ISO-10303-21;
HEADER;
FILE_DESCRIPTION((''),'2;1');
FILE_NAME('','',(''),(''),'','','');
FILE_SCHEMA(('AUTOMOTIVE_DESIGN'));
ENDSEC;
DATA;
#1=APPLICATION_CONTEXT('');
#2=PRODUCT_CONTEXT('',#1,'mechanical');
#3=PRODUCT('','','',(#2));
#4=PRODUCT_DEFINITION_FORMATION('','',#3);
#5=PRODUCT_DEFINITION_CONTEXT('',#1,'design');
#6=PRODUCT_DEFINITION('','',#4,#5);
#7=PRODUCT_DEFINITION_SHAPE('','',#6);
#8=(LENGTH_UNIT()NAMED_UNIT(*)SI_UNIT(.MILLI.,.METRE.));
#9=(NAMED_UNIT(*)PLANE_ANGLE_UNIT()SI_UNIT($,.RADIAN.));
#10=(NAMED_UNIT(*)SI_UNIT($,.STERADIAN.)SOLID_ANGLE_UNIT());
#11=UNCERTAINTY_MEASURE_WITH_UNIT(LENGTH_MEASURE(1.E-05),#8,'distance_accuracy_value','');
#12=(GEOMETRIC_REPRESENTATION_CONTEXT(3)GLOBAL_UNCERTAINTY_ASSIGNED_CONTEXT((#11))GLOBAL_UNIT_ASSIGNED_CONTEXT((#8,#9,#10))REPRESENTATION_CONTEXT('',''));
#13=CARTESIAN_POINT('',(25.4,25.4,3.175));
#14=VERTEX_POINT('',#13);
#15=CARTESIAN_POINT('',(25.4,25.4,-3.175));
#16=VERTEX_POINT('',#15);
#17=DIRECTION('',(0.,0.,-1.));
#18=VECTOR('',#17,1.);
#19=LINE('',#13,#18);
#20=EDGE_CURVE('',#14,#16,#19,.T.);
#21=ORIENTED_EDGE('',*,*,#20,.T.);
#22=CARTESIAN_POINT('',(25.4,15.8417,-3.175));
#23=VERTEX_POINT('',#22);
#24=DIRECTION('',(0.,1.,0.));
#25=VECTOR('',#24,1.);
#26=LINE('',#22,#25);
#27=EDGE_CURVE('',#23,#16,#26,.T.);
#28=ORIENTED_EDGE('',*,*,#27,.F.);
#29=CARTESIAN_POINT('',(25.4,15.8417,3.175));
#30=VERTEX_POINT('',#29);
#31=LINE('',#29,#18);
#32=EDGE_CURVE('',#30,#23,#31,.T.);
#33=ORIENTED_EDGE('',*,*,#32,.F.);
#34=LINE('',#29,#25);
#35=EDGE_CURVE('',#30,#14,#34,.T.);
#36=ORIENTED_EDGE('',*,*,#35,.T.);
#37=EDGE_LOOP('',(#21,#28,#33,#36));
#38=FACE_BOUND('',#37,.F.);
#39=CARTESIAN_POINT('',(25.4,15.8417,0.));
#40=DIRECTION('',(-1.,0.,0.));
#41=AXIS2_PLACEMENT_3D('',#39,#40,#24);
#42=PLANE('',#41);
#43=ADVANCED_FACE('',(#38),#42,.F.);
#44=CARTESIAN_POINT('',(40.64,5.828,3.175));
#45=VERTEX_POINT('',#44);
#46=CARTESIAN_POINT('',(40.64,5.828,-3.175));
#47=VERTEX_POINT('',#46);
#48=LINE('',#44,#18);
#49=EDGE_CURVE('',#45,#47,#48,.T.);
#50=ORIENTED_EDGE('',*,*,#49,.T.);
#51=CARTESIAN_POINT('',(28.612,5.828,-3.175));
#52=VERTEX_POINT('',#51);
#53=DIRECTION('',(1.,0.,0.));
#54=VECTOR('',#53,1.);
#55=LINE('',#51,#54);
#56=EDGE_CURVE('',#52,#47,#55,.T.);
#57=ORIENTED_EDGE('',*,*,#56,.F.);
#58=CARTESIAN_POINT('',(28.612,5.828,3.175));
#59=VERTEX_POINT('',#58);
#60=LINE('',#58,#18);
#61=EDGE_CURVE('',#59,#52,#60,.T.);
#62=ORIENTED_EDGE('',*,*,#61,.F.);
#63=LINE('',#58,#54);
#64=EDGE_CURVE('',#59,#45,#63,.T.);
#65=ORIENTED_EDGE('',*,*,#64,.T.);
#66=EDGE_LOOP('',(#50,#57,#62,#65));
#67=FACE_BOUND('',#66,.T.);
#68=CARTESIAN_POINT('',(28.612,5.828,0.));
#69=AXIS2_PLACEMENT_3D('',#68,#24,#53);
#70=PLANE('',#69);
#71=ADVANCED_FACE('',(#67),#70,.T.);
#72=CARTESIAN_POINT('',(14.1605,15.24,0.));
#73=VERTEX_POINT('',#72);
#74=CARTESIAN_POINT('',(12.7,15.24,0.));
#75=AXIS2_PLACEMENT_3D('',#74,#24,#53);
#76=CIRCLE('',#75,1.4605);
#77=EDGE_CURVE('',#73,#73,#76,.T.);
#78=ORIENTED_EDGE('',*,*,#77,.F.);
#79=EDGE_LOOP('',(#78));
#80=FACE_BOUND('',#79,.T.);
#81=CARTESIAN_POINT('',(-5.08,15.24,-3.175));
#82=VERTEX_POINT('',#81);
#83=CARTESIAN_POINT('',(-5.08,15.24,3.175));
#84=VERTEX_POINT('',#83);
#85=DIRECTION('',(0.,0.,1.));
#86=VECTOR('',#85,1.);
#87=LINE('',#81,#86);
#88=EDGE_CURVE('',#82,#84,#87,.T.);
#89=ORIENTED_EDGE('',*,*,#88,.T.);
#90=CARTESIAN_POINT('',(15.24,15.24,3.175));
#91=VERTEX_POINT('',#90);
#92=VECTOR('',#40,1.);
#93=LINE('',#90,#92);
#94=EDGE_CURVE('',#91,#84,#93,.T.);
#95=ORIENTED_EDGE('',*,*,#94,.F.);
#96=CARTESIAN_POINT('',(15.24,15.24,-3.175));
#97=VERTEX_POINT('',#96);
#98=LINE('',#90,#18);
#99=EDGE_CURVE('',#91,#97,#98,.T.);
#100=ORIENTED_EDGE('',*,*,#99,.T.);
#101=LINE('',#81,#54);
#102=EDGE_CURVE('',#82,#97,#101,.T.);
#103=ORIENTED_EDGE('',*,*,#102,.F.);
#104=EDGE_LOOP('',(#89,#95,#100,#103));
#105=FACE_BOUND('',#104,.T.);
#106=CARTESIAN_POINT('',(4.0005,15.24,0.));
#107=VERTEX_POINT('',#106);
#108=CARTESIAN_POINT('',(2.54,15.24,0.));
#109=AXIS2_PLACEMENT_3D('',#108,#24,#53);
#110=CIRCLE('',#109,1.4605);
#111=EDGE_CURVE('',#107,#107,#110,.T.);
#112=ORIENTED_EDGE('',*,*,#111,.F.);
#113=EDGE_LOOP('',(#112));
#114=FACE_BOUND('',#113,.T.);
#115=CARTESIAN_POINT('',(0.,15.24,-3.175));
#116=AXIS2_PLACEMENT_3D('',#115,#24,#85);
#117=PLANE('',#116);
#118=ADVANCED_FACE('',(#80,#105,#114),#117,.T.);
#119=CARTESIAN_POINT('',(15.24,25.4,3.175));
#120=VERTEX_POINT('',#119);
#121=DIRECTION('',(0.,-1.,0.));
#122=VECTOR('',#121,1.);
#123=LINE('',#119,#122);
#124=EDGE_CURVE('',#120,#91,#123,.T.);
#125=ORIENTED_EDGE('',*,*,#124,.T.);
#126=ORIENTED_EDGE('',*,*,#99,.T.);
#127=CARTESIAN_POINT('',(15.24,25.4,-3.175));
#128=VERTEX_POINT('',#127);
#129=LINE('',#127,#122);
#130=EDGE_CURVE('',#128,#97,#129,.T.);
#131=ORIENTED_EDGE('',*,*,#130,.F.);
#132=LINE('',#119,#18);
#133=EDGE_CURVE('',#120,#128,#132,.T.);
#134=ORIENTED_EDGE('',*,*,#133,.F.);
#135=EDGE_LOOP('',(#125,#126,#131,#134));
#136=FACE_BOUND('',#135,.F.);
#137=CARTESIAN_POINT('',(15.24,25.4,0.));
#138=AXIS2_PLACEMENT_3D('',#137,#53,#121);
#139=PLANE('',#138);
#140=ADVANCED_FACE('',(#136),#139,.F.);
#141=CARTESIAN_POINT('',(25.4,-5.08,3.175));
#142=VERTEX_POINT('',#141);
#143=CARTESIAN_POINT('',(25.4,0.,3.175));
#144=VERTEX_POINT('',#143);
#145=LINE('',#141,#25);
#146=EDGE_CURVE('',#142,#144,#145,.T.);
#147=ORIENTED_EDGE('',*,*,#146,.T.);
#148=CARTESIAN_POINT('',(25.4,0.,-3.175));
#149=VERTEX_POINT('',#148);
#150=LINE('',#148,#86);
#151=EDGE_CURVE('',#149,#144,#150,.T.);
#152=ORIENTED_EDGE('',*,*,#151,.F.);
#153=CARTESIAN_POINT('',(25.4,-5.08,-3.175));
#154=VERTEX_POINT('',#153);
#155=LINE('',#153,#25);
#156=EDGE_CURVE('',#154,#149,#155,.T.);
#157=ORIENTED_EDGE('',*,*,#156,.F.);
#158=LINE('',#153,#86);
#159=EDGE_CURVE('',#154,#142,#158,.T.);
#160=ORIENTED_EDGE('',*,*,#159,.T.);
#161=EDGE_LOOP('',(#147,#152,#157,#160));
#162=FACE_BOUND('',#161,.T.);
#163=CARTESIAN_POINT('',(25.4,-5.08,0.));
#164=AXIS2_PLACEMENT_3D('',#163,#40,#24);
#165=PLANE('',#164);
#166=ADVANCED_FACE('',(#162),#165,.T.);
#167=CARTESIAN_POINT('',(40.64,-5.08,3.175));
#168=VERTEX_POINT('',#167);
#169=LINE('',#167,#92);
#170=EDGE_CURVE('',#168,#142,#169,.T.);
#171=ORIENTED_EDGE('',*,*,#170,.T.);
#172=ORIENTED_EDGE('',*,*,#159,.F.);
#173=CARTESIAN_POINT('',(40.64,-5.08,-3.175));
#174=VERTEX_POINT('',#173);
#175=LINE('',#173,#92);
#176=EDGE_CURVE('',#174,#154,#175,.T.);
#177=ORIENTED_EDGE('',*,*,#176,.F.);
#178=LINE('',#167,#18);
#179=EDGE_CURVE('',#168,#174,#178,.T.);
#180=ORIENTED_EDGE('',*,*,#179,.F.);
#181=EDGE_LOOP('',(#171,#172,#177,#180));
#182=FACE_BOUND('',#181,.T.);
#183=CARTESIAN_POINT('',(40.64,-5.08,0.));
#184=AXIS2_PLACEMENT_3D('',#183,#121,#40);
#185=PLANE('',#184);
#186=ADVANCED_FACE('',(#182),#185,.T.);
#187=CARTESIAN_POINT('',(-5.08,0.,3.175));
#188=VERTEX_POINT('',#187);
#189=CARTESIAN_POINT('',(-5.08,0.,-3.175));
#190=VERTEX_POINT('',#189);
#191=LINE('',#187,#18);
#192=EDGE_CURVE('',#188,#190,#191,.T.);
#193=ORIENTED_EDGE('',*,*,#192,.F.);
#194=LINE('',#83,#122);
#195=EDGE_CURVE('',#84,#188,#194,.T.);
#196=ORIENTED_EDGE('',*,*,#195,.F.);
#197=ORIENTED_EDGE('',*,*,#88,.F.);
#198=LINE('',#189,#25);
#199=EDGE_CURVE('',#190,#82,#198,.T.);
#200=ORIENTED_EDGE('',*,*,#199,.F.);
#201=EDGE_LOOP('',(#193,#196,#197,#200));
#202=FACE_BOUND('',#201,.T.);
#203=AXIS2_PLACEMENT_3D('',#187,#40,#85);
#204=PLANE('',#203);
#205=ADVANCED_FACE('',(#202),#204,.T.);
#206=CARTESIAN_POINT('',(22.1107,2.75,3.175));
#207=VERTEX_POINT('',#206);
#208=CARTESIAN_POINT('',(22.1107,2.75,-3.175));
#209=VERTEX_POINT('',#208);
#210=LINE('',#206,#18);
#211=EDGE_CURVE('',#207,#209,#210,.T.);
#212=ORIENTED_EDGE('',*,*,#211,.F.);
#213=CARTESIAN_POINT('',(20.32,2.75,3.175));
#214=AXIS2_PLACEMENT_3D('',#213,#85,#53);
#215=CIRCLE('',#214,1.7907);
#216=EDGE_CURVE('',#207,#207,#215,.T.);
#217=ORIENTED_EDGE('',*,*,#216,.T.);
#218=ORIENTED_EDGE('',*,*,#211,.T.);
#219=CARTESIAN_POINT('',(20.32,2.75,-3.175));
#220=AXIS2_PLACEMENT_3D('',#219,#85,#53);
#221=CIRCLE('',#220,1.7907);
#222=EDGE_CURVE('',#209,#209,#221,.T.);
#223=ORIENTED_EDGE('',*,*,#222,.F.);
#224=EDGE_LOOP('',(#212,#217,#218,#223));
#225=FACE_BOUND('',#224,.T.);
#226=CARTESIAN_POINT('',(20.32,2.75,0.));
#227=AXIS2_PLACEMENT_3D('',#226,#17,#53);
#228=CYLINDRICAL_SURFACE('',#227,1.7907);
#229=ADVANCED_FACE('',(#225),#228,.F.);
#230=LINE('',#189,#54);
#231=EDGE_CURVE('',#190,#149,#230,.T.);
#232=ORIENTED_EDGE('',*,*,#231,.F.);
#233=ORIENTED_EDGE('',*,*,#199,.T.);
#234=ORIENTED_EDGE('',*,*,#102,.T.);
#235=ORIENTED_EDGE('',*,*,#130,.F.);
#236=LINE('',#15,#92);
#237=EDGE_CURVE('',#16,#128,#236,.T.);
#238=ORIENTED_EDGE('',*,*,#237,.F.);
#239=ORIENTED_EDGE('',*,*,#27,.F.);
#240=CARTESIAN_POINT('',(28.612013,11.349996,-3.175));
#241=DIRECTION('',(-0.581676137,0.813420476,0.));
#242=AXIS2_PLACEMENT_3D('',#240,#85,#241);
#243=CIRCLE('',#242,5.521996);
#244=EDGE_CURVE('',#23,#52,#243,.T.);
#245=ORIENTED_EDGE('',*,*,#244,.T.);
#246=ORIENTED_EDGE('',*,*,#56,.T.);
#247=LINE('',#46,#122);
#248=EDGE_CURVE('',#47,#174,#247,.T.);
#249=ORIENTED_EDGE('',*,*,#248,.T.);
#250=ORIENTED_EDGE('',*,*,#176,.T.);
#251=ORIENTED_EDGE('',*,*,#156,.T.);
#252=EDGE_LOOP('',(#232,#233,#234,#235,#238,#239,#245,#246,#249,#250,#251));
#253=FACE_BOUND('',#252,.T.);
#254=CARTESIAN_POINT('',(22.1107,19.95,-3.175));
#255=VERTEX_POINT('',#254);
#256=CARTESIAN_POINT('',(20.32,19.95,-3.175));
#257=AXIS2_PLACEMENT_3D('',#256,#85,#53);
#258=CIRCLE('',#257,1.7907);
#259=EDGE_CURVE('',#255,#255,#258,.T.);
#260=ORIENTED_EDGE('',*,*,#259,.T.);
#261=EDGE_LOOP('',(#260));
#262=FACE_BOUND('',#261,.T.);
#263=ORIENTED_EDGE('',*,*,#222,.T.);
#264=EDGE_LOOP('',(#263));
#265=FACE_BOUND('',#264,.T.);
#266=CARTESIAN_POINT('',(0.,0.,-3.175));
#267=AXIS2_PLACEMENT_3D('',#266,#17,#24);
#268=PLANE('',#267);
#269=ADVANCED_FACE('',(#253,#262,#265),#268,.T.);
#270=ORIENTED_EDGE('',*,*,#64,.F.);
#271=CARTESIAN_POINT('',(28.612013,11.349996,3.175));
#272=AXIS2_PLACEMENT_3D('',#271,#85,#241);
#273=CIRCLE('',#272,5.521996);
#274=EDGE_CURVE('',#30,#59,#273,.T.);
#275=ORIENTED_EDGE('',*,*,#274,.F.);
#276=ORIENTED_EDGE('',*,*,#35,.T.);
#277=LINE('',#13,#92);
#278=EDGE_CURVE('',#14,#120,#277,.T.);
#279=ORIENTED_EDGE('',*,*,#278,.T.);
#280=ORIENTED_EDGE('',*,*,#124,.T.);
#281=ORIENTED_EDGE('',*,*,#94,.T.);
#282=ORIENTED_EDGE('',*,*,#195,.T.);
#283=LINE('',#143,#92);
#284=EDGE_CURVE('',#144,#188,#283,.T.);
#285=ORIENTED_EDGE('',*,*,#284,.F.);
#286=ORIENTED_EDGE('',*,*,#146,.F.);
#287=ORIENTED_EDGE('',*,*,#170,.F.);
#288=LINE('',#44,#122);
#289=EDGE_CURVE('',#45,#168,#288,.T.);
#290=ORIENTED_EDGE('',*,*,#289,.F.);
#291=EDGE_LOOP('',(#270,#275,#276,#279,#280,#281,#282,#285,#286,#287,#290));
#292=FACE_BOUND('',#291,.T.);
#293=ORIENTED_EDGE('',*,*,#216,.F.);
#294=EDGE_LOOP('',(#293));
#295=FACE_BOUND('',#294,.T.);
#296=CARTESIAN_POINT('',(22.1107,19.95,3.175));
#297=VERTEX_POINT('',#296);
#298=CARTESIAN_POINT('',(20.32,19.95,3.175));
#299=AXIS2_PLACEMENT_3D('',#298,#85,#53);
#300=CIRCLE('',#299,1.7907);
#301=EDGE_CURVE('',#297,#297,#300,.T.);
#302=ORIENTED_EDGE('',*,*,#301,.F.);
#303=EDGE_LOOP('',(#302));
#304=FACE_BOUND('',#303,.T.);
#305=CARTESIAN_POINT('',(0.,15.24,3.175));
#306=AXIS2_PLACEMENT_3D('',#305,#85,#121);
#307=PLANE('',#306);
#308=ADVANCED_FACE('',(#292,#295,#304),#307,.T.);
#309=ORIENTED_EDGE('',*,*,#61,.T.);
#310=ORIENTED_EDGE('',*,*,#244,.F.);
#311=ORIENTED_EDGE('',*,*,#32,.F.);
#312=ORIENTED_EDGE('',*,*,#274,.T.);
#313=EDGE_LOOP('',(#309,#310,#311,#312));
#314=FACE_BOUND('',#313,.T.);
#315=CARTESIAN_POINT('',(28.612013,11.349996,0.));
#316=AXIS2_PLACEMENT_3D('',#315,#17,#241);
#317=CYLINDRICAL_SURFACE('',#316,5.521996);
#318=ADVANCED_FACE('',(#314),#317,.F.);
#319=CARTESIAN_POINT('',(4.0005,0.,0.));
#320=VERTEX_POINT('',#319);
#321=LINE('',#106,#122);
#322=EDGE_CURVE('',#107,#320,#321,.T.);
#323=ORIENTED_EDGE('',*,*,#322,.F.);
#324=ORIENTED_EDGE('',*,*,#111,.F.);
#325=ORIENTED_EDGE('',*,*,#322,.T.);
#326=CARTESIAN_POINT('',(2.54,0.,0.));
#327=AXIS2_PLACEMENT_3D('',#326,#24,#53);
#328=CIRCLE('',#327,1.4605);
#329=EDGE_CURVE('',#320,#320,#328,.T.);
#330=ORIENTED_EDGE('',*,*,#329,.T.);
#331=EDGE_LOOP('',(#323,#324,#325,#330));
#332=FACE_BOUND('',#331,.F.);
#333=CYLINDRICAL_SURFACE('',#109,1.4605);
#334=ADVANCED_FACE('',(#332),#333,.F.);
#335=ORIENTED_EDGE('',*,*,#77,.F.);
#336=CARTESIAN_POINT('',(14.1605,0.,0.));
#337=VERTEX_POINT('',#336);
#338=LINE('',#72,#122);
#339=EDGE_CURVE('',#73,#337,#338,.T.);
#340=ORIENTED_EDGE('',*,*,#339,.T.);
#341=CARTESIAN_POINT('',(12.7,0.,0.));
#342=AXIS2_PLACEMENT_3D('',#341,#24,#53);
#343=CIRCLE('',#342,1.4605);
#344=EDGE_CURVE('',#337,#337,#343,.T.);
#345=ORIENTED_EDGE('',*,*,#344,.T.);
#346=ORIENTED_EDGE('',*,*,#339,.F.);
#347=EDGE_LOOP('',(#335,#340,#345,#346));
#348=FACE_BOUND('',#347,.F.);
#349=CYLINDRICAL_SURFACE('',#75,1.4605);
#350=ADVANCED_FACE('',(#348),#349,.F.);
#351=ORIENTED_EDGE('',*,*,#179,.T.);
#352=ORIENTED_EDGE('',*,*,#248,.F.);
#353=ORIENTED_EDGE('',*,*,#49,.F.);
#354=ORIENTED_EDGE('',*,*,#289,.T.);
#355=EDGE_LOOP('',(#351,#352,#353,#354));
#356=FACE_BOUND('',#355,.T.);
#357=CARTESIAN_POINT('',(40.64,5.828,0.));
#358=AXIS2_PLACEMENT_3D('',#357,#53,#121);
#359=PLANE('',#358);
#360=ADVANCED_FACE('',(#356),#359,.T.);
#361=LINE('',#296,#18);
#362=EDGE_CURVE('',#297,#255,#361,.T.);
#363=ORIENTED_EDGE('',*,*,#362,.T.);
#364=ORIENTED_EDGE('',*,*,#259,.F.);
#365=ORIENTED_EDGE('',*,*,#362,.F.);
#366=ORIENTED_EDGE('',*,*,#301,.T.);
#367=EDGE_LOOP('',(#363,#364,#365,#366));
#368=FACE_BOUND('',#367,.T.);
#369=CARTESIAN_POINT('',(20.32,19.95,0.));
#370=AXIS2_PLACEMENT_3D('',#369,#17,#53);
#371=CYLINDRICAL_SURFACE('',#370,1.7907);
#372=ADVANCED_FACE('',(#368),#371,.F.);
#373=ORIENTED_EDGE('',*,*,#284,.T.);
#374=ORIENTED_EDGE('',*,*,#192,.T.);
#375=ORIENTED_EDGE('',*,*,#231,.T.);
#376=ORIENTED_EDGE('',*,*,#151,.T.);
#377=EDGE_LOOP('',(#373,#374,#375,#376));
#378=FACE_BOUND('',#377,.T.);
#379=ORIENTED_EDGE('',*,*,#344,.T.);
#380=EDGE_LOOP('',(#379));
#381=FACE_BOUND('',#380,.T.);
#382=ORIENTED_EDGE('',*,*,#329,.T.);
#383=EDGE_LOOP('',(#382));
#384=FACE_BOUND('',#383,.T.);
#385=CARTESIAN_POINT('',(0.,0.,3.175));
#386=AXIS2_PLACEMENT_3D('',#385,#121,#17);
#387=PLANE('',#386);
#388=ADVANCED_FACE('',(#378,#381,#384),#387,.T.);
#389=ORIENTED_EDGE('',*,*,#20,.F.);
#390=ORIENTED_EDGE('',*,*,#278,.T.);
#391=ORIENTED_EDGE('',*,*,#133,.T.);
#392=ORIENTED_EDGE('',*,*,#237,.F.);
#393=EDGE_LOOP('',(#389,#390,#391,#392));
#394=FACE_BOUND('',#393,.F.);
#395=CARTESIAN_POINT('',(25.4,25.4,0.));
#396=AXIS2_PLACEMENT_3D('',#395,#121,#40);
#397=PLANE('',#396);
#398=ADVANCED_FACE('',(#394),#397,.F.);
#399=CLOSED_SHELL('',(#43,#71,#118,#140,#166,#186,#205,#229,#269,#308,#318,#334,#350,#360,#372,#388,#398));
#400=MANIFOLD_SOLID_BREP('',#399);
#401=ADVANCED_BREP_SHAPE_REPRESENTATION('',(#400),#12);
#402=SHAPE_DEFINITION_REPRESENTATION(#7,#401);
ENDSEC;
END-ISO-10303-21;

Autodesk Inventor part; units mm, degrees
ref_plane "YZ Plane" through (0, 0, 0) normal (1, 0, 0) x (0, 1, 0)
ref_plane "XZ Plane" through (0, 0, 0) normal (0, 1, 0) x (-1, 0, 0)
ref_plane "XY Plane" through (0, 0, 0) normal (0, 0, 1) x (1, 0, 0)
sketch "Sketch1" plane through (0, 0, 0) normal (0, 0, 1) x (1, 0, 0)
  line L0 (0, 0) -> (25.4, 0)
  line L1 (25.4, 25.4) -> (15.24, 25.4)
  line L2 (15.24, 25.4) -> (15.24, 15.24)
  line L3 (15.24, 15.24) -> (0, 15.24)
  line L4 (0, 15.24) -> (0, 0)
  line L5 (20.32, 25.4) -> (20.32, 0) construction
  circle A0 centre (20.32, 2.75) radius 1.7907
  circle A1 centre (20.32, 19.95) radius 1.7907
  arc A2 (25.4, 15.8417) -> (28.612, 5.828) centre (28.612, 11.35) ccw
  line L6 (40.64, -5.08) -> (25.4, -5.08)
  line L7 (25.4, -5.08) -> (25.4, 0)
  line L8 (25.4, 0) -> (25.4, 6.8583) construction
  line L9 (25.4, 15.8417) -> (25.4, 25.4)
  line L10 (28.612, 5.828) -> (40.64, 5.828)
  line L11 (40.64, 5.828) -> (40.64, -5.08)
  dimension "d0" = 25.4
  dimension "d1" = 25.4
  dimension "d2" = 10.16
  dimension "d3" = 10.16
  dimension "d4" = 3.5814
  dimension "d6" = 2.75
  dimension "d7" = 3.5814
  dimension "d17" = 17.2
  dimension "d18" = 11.044
  dimension "d20" = 11.35
  dimension "d21" = 8.292
  dimension "d24" = 15.24
  dimension "d25" = 5.08
  dimension "d26" = 15.24
extrude "Extrusion1" add sketch "Sketch1" along normal mid plane 6.35
sketch "Sketch2" plane through (0, 15.24, 3.175) normal (0, 1, 0) x (1, 0, 0)
  line L0 (0, 3.175) -> (15.24, 3.175) construction
  line L1 (15.24, 6.35) -> (15.24, 0) projected
  circle A0 centre (2.54, 3.175) radius 1.4605
  circle A1 centre (12.7, 3.175) radius 1.4605
  line L2 (0, 6.35) -> (0, 0) projected
  dimension "d11" = 2.921
  dimension "d12" = 2.921
  dimension "d13" = 2.54
  dimension "d14" = 12.7
extrude "Extrusion2" cut sketch "Sketch2" against normal up to next
sketch "Sketch4" plane through (25.4, -5.08, 3.175) normal (0, -1, 0) x (1, 0, 0)
  circle A0 centre (-22.86, -3.175) radius 1.4605 projected
  circle A1 centre (-12.7, -3.175) radius 1.4605 projected
  line L0 (0, -6.35) -> (0, 0) projected
  line L1 (-25.4, 0) -> (0, 0) projected
  line L2 (-25.4, 0) -> (-25.4, -6.35) projected
  line L3 (0, -6.35) -> (-25.4, -6.35) projected
  line L4 (15.24, -6.35) -> (15.24, 0) projected
  line L5 (0, 0) -> (15.24, 0) projected
  line L6 (0, -6.35) -> (0, 0) projected
  line L7 (15.24, -6.35) -> (0, -6.35) projected
  point P0 (-25.4, -3.175)
sketch "Sketch5" plane through (0, 0, 3.175) normal (-1, 0, 0) x (0, 0, 1)
  line L0 (0, 0) -> (-6.35, 0) projected
  line L1 (0, 15.24) -> (0, 0) projected
  line L2 (-6.35, 15.24) -> (0, 15.24) projected
  line L3 (-6.35, 0) -> (-6.35, 15.24) projected
  point P0 (-3.175, 0)
extrude "Extrusion3" add sketch "Sketch5" along normal blind 5.08
sketch "Sketch6" plane through (0, 0, -3.175) normal (0, 0, -1) x (-1, 0, 0)
  circle A0 centre (-20.32, 19.95) radius 1.7907 projected
  circle A1 centre (-20.32, 2.75) radius 1.7907 projected
  line L0 (-25.4, 0) -> (5.08, 0) projected
  line L1 (5.08, 15.24) -> (5.08, 0) projected
  line L2 (-15.24, 15.24) -> (5.08, 15.24) projected
  line L3 (-15.24, 15.24) -> (-15.24, 25.4) projected
  line L4 (-15.24, 25.4) -> (-25.4, 25.4) projected
  line L5 (-25.4, 25.4) -> (-25.4, 15.8417) projected
  arc A2 (-28.612, 5.828) -> (-25.4, 15.8417) centre (-28.612, 11.35) ccw projected
  line L6 (-28.612, 5.828) -> (-40.64, 5.828) projected
  line L7 (-40.64, 5.828) -> (-40.64, -5.08) projected
  line L8 (-40.64, -5.08) -> (-25.4, -5.08) projected
  line L9 (-25.4, -5.08) -> (-25.4, 0) projected
  line L10 (-11.2395, 15.24) -> (-11.2395, 0) projected
  line L11 (-11.2395, 15.24) -> (-11.2395, 0)
  line L12 (-14.1605, 15.24) -> (-11.2395, 15.24) projected
  line L13 (-14.1605, 15.24) -> (-14.1605, 0)
  line L14 (-25.4, 0) -> (5.08, 0) projected
  line L15 (-4.0005, 15.24) -> (-1.0795, 15.24) projected
  line L16 (-1.0795, 15.24) -> (-1.0795, 0)
  line L17 (-4.0005, 15.24) -> (-4.0005, 0)
  line L18 (-4.0005, 15.24) -> (-4.0005, 0) projected
properties part number "MotorHolder 2"
